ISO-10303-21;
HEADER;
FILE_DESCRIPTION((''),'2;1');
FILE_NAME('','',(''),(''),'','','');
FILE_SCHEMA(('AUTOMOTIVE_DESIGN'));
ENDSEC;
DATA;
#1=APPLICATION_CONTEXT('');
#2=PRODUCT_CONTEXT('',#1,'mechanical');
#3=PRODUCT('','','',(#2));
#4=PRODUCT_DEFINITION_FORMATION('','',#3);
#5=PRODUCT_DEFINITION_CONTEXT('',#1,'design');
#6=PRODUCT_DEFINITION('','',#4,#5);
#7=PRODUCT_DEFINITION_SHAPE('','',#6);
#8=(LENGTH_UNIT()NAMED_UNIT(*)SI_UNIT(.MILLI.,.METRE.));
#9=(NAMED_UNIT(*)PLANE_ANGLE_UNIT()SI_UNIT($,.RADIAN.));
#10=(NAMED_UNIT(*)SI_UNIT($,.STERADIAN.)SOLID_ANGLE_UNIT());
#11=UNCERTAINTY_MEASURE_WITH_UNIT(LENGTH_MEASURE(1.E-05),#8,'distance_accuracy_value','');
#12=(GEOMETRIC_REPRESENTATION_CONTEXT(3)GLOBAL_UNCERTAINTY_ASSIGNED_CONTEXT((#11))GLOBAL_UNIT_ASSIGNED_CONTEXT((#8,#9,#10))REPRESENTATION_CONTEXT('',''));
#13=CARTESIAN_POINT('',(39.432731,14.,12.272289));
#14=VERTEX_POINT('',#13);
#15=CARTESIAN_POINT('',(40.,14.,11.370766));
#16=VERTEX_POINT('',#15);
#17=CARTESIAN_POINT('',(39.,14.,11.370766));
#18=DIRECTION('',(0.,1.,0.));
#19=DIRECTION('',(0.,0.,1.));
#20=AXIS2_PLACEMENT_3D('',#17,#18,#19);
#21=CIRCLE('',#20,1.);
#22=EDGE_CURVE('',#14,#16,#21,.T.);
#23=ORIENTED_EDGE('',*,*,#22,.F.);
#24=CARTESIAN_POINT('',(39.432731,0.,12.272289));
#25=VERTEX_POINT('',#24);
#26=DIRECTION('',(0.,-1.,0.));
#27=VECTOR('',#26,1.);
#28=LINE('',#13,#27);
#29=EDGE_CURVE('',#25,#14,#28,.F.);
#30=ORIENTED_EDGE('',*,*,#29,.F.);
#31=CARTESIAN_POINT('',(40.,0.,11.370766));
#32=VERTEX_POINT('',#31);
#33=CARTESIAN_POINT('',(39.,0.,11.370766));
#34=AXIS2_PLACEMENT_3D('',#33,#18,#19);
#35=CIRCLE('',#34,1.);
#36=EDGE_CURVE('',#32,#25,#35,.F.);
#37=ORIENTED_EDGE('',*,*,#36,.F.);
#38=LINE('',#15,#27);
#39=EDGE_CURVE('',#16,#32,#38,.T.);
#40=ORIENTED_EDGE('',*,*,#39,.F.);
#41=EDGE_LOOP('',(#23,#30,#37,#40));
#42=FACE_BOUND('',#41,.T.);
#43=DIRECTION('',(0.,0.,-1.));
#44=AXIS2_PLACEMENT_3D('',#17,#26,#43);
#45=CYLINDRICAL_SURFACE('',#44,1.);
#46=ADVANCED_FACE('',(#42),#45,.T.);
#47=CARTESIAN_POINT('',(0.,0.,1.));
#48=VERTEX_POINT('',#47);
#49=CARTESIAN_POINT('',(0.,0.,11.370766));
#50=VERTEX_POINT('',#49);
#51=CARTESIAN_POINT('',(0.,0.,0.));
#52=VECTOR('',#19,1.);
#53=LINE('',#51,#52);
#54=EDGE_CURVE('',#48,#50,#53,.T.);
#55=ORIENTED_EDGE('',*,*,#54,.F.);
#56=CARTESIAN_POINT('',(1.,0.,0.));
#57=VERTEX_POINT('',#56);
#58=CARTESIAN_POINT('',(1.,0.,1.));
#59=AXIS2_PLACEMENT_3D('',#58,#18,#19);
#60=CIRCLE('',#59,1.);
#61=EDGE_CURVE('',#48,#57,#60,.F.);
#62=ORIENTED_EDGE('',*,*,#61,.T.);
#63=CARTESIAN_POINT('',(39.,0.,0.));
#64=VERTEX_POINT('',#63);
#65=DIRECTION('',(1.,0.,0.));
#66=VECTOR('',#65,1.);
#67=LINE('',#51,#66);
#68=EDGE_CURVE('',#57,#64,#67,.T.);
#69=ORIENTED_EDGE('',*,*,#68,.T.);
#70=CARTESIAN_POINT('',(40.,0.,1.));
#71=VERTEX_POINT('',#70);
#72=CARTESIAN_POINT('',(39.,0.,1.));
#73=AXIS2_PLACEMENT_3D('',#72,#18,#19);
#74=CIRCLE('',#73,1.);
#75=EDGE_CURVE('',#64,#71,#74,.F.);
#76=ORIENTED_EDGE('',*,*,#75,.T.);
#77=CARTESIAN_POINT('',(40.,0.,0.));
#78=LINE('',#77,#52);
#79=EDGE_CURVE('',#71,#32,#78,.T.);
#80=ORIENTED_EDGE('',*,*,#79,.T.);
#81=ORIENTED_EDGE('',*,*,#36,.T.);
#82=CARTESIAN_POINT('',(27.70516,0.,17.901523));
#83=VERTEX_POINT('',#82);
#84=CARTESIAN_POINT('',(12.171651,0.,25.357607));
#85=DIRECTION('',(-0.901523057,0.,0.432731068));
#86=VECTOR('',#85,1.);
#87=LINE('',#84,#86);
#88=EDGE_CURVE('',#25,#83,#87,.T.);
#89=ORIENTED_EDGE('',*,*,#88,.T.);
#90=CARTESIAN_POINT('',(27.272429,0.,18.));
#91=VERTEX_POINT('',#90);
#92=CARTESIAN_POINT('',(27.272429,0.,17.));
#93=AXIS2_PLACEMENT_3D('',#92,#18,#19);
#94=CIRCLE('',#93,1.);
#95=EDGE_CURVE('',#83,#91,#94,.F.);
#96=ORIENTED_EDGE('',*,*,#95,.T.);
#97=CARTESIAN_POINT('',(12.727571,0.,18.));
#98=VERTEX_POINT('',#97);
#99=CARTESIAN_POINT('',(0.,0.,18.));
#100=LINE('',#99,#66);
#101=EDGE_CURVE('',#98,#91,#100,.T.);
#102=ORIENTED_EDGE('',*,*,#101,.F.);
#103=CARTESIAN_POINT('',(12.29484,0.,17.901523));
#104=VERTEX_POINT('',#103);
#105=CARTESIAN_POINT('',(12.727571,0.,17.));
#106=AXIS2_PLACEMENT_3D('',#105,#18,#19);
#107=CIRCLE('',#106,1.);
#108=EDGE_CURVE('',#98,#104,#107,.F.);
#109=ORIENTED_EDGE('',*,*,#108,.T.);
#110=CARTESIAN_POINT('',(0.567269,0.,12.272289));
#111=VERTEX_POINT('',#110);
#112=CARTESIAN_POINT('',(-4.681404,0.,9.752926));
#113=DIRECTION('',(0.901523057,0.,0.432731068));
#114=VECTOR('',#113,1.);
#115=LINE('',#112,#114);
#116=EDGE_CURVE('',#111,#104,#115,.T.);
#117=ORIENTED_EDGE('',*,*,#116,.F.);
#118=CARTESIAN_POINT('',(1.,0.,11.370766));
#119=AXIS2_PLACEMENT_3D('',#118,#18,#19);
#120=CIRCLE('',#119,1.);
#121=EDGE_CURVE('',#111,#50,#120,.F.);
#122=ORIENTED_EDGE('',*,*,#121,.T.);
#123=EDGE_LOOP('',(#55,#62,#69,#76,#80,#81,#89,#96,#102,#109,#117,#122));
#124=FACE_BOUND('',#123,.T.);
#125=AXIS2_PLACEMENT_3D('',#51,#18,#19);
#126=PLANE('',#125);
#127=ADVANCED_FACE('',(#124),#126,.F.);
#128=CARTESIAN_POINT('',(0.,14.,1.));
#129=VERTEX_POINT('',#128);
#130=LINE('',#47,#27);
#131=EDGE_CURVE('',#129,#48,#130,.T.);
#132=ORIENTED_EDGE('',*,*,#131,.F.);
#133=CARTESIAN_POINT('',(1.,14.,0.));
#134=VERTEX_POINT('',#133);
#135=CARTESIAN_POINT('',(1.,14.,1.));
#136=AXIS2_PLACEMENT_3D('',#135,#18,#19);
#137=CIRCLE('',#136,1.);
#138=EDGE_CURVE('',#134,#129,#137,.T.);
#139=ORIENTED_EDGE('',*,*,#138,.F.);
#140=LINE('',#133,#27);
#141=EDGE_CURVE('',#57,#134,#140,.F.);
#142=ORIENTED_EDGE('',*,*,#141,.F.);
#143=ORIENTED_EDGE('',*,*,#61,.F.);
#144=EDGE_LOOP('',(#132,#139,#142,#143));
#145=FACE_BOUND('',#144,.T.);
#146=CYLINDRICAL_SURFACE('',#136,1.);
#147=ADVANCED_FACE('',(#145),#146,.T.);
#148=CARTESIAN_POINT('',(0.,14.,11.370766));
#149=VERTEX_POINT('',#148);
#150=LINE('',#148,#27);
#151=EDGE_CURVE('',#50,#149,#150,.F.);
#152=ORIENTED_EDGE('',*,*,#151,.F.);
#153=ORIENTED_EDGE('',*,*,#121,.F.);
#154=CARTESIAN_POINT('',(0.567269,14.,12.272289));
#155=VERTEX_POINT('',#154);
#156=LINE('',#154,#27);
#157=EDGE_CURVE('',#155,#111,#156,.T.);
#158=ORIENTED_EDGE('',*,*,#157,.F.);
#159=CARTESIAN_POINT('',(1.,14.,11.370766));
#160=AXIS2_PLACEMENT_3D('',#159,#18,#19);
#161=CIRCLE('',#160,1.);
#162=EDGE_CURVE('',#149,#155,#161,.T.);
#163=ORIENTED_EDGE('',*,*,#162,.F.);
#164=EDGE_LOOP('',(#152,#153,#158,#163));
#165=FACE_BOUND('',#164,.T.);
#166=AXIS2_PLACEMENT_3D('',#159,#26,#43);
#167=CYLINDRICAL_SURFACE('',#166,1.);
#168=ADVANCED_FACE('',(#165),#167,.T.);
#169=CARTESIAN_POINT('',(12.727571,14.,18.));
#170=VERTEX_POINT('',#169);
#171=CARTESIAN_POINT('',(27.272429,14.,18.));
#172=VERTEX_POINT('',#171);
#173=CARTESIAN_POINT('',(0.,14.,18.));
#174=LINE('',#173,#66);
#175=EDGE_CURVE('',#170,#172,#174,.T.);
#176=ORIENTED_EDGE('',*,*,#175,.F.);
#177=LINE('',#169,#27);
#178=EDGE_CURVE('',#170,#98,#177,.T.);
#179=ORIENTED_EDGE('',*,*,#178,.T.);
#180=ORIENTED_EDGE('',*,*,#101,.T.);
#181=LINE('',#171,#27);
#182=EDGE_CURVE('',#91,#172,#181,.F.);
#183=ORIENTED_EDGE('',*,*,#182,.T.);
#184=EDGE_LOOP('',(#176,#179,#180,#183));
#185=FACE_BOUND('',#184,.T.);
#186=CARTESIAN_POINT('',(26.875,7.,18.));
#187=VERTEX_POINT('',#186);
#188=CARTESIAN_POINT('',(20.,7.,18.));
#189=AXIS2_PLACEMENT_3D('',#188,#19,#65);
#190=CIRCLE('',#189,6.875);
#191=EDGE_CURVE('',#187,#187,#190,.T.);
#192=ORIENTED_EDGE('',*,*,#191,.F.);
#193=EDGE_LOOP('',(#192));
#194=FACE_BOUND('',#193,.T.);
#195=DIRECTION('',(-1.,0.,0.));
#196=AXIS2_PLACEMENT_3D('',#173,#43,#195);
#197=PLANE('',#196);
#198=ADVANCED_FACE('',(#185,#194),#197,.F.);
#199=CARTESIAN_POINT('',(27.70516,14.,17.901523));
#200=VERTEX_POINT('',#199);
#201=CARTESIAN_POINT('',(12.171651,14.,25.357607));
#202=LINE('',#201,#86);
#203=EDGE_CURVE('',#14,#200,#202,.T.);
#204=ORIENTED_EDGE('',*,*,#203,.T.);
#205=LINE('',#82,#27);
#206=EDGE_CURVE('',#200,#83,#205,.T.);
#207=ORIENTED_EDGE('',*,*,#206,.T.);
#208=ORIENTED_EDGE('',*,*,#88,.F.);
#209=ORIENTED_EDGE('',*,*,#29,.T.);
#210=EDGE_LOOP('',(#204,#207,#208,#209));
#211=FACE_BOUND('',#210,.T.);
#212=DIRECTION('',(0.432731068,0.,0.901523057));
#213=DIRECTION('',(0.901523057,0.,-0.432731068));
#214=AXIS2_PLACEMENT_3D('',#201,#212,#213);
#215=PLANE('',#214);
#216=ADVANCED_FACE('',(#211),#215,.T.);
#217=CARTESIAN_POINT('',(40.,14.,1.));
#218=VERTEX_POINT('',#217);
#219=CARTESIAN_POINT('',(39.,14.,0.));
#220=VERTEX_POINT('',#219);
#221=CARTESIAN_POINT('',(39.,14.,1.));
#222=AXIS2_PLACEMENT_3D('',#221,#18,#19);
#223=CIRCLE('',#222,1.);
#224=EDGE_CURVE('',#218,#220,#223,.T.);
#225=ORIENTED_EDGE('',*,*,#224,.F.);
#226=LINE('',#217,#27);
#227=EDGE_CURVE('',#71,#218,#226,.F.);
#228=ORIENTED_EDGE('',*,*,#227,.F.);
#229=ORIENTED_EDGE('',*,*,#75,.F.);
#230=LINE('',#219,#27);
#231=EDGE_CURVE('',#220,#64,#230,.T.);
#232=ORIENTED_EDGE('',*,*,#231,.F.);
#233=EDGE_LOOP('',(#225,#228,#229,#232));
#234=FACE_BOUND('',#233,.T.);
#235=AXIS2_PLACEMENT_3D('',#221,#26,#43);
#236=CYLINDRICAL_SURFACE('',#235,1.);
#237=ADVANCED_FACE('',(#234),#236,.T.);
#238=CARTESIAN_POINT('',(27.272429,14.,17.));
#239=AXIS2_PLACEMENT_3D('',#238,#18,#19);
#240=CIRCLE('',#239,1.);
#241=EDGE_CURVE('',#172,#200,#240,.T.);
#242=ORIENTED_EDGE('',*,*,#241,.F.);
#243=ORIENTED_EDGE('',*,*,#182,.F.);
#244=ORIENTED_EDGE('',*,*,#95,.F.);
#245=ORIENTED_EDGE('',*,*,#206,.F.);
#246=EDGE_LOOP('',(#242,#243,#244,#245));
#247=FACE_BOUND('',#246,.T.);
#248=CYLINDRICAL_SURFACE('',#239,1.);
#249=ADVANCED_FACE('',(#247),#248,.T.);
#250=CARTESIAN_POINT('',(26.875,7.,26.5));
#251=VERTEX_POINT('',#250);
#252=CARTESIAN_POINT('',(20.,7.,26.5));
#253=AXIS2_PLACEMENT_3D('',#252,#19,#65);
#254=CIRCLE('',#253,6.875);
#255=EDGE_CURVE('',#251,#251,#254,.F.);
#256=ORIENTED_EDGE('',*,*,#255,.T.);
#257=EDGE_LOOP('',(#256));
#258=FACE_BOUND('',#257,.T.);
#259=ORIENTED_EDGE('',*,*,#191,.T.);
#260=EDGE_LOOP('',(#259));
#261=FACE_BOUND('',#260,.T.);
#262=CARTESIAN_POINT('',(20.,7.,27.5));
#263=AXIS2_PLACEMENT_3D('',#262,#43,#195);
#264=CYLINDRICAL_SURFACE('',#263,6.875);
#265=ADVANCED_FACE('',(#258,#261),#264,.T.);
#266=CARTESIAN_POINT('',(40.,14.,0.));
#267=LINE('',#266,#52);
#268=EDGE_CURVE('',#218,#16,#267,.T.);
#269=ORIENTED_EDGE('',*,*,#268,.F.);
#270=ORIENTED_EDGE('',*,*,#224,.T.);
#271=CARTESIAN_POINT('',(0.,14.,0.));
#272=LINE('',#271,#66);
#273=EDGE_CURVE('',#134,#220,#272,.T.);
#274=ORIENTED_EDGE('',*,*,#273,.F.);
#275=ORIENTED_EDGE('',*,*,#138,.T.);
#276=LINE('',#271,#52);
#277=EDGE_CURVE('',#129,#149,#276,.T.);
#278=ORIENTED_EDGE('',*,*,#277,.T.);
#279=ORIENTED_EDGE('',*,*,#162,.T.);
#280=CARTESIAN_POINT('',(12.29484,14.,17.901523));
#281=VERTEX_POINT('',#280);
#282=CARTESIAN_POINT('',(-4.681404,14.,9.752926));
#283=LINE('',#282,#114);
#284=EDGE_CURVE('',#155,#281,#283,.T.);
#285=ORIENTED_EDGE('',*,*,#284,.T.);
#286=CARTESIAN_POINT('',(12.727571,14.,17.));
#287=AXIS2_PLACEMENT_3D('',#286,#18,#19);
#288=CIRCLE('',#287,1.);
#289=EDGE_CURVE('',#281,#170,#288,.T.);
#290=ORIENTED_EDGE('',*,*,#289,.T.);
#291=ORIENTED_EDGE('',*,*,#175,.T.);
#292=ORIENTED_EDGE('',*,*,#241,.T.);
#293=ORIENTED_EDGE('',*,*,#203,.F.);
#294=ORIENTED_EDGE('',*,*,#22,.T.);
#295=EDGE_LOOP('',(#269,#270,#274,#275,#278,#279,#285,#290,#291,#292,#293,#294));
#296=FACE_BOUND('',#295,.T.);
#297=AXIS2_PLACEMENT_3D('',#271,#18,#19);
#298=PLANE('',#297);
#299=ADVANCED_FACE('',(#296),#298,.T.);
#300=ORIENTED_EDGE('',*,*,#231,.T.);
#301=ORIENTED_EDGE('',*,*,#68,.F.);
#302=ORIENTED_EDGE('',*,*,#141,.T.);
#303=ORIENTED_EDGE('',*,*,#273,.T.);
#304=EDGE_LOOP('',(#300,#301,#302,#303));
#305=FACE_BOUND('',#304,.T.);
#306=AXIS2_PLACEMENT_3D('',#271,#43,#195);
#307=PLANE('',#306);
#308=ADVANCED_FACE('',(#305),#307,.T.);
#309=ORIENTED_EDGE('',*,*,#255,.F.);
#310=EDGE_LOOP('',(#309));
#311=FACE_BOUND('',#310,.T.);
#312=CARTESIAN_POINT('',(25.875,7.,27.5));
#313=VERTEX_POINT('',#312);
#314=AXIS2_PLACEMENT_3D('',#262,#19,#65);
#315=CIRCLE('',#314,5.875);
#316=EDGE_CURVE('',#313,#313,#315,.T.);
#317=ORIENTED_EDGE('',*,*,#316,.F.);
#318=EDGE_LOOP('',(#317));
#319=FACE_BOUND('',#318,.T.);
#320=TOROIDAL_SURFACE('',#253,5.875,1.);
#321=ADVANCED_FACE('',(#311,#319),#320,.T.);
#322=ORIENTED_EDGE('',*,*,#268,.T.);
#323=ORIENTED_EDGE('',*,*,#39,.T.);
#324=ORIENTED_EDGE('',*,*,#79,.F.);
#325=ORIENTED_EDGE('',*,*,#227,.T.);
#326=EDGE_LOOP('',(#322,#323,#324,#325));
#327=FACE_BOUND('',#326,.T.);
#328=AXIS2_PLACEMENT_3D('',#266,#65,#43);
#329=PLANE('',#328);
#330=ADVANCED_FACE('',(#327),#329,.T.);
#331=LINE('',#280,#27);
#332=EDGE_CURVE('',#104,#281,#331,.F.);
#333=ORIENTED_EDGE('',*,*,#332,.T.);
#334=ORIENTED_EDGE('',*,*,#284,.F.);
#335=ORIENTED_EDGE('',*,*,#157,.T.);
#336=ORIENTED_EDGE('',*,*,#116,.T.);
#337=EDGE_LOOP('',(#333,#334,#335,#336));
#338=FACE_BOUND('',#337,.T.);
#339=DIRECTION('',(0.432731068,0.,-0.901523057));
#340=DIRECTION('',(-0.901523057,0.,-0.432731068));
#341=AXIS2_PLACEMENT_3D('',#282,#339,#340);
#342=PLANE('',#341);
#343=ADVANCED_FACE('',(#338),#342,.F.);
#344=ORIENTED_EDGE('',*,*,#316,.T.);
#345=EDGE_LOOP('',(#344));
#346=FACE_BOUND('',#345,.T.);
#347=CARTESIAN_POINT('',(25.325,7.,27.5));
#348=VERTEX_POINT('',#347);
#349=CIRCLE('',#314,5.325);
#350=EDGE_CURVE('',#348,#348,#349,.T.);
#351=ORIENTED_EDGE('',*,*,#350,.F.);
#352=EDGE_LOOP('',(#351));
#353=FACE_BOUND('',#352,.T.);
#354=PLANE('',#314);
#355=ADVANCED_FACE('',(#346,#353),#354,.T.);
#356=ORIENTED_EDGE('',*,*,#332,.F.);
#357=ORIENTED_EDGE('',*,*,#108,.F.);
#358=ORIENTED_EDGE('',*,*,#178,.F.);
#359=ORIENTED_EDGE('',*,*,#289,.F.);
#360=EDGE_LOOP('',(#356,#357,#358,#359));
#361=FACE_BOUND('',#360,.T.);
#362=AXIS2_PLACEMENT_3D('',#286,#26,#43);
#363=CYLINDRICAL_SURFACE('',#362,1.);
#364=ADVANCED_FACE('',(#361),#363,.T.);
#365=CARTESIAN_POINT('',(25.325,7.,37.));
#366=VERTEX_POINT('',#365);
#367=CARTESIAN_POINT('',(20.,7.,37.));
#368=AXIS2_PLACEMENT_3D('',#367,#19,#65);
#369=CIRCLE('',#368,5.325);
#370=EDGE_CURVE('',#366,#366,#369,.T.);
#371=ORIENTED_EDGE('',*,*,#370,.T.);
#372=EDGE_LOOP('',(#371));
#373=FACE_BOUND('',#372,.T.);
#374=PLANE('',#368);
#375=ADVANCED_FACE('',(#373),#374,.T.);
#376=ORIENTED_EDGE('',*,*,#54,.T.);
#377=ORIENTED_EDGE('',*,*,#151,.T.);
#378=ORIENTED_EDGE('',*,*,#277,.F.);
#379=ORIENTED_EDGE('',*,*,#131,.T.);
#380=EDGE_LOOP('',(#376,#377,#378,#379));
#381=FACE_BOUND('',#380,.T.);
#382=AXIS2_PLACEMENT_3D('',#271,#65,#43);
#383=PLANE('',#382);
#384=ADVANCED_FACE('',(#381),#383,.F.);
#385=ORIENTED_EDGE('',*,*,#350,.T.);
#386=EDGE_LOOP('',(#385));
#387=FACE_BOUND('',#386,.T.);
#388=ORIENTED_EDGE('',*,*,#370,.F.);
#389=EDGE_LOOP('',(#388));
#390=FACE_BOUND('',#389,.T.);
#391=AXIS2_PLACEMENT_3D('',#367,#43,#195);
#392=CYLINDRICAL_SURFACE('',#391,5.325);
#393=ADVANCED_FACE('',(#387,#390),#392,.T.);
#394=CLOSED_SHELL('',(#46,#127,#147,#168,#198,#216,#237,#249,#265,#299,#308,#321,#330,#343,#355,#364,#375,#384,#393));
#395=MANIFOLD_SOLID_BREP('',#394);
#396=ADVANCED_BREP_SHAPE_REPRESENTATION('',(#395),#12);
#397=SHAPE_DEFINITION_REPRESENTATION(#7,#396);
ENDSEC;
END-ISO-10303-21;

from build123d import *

# Parameters (mm, degrees)
BOSS_EXTRUDE1_DEPTH = 14
SKETCH2_R           = 6.875
BOSS_EXTRUDE2_DEPTH = 9.5
SKETCH3_R           = 5.325
BOSS_EXTRUDE3_DEPTH = 9.5
FILLET1_R           = 1


with BuildPart() as part:
    # Sketch1 → Boss-Extrude1 (new body)
    with BuildSketch(Plane(origin=(0, 0, 0), x_dir=(1, 0, 0), z_dir=(0, 1, 0))):
        Polygon((0, 0), (0, -12), (12.5, -18), (27.5, -18), (40, -12), (40, 0), align=None)
    extrude(amount=BOSS_EXTRUDE1_DEPTH)

    # Sketch2 → Boss-Extrude2 (add)
    with BuildSketch(Plane.XY.offset(18)):
        with Locations((20, 7)):
            Circle(SKETCH2_R)
    extrude(amount=BOSS_EXTRUDE2_DEPTH)

    # Sketch3 → Boss-Extrude3 (add)
    with BuildSketch(Plane.XY.offset(27.5)):
        with Locations((20, 7)):
            Circle(SKETCH3_R)
    extrude(amount=BOSS_EXTRUDE3_DEPTH)

    # Fillet1
    fillet1_edges = [part.edges().sort_by_distance(p)[0] for p in [
        (0, 7, 0),
        (40, 7, 0),
        (40, 7, 12),
        (27.5, 7, 18),
        (12.5, 7, 18),
        (0, 7, 12),
        (13.125, 7, 27.5),
    ]]
    fillet(fillet1_edges, radius=FILLET1_R)


solid = part.part
